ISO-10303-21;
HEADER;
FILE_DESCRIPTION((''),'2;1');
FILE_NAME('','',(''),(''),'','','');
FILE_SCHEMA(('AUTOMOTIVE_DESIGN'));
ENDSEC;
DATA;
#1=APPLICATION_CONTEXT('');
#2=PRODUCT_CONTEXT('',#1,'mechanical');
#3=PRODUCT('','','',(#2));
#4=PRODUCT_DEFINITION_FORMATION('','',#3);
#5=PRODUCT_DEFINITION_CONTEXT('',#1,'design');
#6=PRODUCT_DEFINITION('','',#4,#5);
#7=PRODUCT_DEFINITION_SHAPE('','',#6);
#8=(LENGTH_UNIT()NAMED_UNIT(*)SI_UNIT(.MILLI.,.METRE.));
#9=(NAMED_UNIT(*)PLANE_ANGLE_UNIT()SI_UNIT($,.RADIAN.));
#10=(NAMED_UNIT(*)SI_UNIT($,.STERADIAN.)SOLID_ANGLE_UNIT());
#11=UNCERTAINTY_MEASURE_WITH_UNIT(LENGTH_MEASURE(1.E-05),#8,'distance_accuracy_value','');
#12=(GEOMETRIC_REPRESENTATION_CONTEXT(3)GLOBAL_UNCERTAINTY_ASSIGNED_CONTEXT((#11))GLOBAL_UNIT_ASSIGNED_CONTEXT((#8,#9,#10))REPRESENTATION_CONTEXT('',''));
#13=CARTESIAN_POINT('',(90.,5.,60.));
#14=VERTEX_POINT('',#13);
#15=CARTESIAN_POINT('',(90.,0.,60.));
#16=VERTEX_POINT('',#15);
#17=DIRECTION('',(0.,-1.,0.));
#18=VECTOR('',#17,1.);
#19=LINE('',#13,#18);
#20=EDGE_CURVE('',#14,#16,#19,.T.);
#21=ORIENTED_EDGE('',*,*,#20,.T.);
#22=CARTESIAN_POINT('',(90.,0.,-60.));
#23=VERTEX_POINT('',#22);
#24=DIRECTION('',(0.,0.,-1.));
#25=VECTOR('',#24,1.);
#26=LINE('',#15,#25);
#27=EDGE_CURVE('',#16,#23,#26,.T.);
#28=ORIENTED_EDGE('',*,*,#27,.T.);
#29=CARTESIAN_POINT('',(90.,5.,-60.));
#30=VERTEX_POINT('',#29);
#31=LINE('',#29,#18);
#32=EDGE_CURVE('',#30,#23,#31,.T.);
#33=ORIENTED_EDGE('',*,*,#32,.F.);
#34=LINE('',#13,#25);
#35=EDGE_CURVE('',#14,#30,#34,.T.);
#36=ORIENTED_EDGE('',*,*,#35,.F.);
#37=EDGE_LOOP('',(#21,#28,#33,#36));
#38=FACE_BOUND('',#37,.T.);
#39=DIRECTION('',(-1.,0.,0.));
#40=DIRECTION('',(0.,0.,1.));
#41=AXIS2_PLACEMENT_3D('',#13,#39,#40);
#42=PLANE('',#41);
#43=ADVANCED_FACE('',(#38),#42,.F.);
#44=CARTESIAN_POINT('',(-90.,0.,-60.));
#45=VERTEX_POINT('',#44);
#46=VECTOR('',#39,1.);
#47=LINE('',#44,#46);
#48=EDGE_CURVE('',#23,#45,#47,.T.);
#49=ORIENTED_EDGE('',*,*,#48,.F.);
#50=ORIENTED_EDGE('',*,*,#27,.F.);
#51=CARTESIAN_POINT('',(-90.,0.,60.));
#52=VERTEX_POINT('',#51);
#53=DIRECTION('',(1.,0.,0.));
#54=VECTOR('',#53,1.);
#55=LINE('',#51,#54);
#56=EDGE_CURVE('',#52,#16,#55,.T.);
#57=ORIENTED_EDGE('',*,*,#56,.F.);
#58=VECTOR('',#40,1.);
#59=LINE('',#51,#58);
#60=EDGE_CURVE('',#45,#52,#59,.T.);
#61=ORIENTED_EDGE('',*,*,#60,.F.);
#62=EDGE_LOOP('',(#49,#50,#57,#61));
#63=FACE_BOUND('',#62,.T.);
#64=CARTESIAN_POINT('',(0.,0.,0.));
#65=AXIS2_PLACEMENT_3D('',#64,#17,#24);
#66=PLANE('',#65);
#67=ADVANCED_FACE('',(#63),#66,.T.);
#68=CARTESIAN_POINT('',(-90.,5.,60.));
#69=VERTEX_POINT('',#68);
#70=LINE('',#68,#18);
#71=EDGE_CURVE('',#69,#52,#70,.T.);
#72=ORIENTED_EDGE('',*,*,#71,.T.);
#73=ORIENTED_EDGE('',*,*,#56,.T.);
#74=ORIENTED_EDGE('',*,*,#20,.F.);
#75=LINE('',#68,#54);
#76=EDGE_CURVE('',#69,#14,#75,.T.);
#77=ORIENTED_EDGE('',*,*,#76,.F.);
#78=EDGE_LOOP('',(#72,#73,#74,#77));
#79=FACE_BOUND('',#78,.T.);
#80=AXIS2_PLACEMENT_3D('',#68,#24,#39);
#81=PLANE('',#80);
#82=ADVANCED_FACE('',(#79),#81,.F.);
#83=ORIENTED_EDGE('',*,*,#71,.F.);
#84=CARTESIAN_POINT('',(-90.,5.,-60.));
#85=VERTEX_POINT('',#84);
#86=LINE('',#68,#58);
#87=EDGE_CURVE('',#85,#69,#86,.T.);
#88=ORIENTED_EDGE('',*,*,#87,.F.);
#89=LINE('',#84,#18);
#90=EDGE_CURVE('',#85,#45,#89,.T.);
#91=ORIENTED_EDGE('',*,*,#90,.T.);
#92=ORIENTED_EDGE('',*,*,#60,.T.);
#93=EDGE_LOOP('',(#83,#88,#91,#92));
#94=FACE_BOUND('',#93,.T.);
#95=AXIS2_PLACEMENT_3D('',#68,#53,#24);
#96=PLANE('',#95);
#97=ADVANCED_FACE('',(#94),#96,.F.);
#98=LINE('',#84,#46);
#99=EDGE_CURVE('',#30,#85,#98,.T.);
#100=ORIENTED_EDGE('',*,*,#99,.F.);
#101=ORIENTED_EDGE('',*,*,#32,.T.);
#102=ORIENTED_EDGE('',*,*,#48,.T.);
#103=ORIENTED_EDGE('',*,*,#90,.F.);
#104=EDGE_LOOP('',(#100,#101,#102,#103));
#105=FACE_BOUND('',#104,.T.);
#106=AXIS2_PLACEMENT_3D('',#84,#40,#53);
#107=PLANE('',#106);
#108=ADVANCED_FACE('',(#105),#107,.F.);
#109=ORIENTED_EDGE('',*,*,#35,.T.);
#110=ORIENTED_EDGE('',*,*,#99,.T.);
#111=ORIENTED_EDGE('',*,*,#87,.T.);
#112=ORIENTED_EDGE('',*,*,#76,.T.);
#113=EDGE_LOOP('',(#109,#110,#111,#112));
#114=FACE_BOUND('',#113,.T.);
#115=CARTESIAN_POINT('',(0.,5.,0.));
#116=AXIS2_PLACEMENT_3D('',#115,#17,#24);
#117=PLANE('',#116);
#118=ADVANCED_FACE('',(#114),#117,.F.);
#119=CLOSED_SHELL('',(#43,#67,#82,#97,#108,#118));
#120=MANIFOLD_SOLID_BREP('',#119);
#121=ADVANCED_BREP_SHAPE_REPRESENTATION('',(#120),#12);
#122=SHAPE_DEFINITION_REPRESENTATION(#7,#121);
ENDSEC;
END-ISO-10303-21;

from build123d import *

# Parameters (mm, degrees)
SKETCH_1_W      = 180
SKETCH_1_H      = 120
EXTRUDE_1_DEPTH = 5


with BuildPart() as part:
    # 草图1 → 凸台-拉伸1 (new body)
    with BuildSketch(Plane(origin=(0, 0, 0), x_dir=(1, 0, 0), z_dir=(0, 1, 0))):
        Rectangle(SKETCH_1_W, SKETCH_1_H)
    extrude(amount=EXTRUDE_1_DEPTH)


solid = part.part
